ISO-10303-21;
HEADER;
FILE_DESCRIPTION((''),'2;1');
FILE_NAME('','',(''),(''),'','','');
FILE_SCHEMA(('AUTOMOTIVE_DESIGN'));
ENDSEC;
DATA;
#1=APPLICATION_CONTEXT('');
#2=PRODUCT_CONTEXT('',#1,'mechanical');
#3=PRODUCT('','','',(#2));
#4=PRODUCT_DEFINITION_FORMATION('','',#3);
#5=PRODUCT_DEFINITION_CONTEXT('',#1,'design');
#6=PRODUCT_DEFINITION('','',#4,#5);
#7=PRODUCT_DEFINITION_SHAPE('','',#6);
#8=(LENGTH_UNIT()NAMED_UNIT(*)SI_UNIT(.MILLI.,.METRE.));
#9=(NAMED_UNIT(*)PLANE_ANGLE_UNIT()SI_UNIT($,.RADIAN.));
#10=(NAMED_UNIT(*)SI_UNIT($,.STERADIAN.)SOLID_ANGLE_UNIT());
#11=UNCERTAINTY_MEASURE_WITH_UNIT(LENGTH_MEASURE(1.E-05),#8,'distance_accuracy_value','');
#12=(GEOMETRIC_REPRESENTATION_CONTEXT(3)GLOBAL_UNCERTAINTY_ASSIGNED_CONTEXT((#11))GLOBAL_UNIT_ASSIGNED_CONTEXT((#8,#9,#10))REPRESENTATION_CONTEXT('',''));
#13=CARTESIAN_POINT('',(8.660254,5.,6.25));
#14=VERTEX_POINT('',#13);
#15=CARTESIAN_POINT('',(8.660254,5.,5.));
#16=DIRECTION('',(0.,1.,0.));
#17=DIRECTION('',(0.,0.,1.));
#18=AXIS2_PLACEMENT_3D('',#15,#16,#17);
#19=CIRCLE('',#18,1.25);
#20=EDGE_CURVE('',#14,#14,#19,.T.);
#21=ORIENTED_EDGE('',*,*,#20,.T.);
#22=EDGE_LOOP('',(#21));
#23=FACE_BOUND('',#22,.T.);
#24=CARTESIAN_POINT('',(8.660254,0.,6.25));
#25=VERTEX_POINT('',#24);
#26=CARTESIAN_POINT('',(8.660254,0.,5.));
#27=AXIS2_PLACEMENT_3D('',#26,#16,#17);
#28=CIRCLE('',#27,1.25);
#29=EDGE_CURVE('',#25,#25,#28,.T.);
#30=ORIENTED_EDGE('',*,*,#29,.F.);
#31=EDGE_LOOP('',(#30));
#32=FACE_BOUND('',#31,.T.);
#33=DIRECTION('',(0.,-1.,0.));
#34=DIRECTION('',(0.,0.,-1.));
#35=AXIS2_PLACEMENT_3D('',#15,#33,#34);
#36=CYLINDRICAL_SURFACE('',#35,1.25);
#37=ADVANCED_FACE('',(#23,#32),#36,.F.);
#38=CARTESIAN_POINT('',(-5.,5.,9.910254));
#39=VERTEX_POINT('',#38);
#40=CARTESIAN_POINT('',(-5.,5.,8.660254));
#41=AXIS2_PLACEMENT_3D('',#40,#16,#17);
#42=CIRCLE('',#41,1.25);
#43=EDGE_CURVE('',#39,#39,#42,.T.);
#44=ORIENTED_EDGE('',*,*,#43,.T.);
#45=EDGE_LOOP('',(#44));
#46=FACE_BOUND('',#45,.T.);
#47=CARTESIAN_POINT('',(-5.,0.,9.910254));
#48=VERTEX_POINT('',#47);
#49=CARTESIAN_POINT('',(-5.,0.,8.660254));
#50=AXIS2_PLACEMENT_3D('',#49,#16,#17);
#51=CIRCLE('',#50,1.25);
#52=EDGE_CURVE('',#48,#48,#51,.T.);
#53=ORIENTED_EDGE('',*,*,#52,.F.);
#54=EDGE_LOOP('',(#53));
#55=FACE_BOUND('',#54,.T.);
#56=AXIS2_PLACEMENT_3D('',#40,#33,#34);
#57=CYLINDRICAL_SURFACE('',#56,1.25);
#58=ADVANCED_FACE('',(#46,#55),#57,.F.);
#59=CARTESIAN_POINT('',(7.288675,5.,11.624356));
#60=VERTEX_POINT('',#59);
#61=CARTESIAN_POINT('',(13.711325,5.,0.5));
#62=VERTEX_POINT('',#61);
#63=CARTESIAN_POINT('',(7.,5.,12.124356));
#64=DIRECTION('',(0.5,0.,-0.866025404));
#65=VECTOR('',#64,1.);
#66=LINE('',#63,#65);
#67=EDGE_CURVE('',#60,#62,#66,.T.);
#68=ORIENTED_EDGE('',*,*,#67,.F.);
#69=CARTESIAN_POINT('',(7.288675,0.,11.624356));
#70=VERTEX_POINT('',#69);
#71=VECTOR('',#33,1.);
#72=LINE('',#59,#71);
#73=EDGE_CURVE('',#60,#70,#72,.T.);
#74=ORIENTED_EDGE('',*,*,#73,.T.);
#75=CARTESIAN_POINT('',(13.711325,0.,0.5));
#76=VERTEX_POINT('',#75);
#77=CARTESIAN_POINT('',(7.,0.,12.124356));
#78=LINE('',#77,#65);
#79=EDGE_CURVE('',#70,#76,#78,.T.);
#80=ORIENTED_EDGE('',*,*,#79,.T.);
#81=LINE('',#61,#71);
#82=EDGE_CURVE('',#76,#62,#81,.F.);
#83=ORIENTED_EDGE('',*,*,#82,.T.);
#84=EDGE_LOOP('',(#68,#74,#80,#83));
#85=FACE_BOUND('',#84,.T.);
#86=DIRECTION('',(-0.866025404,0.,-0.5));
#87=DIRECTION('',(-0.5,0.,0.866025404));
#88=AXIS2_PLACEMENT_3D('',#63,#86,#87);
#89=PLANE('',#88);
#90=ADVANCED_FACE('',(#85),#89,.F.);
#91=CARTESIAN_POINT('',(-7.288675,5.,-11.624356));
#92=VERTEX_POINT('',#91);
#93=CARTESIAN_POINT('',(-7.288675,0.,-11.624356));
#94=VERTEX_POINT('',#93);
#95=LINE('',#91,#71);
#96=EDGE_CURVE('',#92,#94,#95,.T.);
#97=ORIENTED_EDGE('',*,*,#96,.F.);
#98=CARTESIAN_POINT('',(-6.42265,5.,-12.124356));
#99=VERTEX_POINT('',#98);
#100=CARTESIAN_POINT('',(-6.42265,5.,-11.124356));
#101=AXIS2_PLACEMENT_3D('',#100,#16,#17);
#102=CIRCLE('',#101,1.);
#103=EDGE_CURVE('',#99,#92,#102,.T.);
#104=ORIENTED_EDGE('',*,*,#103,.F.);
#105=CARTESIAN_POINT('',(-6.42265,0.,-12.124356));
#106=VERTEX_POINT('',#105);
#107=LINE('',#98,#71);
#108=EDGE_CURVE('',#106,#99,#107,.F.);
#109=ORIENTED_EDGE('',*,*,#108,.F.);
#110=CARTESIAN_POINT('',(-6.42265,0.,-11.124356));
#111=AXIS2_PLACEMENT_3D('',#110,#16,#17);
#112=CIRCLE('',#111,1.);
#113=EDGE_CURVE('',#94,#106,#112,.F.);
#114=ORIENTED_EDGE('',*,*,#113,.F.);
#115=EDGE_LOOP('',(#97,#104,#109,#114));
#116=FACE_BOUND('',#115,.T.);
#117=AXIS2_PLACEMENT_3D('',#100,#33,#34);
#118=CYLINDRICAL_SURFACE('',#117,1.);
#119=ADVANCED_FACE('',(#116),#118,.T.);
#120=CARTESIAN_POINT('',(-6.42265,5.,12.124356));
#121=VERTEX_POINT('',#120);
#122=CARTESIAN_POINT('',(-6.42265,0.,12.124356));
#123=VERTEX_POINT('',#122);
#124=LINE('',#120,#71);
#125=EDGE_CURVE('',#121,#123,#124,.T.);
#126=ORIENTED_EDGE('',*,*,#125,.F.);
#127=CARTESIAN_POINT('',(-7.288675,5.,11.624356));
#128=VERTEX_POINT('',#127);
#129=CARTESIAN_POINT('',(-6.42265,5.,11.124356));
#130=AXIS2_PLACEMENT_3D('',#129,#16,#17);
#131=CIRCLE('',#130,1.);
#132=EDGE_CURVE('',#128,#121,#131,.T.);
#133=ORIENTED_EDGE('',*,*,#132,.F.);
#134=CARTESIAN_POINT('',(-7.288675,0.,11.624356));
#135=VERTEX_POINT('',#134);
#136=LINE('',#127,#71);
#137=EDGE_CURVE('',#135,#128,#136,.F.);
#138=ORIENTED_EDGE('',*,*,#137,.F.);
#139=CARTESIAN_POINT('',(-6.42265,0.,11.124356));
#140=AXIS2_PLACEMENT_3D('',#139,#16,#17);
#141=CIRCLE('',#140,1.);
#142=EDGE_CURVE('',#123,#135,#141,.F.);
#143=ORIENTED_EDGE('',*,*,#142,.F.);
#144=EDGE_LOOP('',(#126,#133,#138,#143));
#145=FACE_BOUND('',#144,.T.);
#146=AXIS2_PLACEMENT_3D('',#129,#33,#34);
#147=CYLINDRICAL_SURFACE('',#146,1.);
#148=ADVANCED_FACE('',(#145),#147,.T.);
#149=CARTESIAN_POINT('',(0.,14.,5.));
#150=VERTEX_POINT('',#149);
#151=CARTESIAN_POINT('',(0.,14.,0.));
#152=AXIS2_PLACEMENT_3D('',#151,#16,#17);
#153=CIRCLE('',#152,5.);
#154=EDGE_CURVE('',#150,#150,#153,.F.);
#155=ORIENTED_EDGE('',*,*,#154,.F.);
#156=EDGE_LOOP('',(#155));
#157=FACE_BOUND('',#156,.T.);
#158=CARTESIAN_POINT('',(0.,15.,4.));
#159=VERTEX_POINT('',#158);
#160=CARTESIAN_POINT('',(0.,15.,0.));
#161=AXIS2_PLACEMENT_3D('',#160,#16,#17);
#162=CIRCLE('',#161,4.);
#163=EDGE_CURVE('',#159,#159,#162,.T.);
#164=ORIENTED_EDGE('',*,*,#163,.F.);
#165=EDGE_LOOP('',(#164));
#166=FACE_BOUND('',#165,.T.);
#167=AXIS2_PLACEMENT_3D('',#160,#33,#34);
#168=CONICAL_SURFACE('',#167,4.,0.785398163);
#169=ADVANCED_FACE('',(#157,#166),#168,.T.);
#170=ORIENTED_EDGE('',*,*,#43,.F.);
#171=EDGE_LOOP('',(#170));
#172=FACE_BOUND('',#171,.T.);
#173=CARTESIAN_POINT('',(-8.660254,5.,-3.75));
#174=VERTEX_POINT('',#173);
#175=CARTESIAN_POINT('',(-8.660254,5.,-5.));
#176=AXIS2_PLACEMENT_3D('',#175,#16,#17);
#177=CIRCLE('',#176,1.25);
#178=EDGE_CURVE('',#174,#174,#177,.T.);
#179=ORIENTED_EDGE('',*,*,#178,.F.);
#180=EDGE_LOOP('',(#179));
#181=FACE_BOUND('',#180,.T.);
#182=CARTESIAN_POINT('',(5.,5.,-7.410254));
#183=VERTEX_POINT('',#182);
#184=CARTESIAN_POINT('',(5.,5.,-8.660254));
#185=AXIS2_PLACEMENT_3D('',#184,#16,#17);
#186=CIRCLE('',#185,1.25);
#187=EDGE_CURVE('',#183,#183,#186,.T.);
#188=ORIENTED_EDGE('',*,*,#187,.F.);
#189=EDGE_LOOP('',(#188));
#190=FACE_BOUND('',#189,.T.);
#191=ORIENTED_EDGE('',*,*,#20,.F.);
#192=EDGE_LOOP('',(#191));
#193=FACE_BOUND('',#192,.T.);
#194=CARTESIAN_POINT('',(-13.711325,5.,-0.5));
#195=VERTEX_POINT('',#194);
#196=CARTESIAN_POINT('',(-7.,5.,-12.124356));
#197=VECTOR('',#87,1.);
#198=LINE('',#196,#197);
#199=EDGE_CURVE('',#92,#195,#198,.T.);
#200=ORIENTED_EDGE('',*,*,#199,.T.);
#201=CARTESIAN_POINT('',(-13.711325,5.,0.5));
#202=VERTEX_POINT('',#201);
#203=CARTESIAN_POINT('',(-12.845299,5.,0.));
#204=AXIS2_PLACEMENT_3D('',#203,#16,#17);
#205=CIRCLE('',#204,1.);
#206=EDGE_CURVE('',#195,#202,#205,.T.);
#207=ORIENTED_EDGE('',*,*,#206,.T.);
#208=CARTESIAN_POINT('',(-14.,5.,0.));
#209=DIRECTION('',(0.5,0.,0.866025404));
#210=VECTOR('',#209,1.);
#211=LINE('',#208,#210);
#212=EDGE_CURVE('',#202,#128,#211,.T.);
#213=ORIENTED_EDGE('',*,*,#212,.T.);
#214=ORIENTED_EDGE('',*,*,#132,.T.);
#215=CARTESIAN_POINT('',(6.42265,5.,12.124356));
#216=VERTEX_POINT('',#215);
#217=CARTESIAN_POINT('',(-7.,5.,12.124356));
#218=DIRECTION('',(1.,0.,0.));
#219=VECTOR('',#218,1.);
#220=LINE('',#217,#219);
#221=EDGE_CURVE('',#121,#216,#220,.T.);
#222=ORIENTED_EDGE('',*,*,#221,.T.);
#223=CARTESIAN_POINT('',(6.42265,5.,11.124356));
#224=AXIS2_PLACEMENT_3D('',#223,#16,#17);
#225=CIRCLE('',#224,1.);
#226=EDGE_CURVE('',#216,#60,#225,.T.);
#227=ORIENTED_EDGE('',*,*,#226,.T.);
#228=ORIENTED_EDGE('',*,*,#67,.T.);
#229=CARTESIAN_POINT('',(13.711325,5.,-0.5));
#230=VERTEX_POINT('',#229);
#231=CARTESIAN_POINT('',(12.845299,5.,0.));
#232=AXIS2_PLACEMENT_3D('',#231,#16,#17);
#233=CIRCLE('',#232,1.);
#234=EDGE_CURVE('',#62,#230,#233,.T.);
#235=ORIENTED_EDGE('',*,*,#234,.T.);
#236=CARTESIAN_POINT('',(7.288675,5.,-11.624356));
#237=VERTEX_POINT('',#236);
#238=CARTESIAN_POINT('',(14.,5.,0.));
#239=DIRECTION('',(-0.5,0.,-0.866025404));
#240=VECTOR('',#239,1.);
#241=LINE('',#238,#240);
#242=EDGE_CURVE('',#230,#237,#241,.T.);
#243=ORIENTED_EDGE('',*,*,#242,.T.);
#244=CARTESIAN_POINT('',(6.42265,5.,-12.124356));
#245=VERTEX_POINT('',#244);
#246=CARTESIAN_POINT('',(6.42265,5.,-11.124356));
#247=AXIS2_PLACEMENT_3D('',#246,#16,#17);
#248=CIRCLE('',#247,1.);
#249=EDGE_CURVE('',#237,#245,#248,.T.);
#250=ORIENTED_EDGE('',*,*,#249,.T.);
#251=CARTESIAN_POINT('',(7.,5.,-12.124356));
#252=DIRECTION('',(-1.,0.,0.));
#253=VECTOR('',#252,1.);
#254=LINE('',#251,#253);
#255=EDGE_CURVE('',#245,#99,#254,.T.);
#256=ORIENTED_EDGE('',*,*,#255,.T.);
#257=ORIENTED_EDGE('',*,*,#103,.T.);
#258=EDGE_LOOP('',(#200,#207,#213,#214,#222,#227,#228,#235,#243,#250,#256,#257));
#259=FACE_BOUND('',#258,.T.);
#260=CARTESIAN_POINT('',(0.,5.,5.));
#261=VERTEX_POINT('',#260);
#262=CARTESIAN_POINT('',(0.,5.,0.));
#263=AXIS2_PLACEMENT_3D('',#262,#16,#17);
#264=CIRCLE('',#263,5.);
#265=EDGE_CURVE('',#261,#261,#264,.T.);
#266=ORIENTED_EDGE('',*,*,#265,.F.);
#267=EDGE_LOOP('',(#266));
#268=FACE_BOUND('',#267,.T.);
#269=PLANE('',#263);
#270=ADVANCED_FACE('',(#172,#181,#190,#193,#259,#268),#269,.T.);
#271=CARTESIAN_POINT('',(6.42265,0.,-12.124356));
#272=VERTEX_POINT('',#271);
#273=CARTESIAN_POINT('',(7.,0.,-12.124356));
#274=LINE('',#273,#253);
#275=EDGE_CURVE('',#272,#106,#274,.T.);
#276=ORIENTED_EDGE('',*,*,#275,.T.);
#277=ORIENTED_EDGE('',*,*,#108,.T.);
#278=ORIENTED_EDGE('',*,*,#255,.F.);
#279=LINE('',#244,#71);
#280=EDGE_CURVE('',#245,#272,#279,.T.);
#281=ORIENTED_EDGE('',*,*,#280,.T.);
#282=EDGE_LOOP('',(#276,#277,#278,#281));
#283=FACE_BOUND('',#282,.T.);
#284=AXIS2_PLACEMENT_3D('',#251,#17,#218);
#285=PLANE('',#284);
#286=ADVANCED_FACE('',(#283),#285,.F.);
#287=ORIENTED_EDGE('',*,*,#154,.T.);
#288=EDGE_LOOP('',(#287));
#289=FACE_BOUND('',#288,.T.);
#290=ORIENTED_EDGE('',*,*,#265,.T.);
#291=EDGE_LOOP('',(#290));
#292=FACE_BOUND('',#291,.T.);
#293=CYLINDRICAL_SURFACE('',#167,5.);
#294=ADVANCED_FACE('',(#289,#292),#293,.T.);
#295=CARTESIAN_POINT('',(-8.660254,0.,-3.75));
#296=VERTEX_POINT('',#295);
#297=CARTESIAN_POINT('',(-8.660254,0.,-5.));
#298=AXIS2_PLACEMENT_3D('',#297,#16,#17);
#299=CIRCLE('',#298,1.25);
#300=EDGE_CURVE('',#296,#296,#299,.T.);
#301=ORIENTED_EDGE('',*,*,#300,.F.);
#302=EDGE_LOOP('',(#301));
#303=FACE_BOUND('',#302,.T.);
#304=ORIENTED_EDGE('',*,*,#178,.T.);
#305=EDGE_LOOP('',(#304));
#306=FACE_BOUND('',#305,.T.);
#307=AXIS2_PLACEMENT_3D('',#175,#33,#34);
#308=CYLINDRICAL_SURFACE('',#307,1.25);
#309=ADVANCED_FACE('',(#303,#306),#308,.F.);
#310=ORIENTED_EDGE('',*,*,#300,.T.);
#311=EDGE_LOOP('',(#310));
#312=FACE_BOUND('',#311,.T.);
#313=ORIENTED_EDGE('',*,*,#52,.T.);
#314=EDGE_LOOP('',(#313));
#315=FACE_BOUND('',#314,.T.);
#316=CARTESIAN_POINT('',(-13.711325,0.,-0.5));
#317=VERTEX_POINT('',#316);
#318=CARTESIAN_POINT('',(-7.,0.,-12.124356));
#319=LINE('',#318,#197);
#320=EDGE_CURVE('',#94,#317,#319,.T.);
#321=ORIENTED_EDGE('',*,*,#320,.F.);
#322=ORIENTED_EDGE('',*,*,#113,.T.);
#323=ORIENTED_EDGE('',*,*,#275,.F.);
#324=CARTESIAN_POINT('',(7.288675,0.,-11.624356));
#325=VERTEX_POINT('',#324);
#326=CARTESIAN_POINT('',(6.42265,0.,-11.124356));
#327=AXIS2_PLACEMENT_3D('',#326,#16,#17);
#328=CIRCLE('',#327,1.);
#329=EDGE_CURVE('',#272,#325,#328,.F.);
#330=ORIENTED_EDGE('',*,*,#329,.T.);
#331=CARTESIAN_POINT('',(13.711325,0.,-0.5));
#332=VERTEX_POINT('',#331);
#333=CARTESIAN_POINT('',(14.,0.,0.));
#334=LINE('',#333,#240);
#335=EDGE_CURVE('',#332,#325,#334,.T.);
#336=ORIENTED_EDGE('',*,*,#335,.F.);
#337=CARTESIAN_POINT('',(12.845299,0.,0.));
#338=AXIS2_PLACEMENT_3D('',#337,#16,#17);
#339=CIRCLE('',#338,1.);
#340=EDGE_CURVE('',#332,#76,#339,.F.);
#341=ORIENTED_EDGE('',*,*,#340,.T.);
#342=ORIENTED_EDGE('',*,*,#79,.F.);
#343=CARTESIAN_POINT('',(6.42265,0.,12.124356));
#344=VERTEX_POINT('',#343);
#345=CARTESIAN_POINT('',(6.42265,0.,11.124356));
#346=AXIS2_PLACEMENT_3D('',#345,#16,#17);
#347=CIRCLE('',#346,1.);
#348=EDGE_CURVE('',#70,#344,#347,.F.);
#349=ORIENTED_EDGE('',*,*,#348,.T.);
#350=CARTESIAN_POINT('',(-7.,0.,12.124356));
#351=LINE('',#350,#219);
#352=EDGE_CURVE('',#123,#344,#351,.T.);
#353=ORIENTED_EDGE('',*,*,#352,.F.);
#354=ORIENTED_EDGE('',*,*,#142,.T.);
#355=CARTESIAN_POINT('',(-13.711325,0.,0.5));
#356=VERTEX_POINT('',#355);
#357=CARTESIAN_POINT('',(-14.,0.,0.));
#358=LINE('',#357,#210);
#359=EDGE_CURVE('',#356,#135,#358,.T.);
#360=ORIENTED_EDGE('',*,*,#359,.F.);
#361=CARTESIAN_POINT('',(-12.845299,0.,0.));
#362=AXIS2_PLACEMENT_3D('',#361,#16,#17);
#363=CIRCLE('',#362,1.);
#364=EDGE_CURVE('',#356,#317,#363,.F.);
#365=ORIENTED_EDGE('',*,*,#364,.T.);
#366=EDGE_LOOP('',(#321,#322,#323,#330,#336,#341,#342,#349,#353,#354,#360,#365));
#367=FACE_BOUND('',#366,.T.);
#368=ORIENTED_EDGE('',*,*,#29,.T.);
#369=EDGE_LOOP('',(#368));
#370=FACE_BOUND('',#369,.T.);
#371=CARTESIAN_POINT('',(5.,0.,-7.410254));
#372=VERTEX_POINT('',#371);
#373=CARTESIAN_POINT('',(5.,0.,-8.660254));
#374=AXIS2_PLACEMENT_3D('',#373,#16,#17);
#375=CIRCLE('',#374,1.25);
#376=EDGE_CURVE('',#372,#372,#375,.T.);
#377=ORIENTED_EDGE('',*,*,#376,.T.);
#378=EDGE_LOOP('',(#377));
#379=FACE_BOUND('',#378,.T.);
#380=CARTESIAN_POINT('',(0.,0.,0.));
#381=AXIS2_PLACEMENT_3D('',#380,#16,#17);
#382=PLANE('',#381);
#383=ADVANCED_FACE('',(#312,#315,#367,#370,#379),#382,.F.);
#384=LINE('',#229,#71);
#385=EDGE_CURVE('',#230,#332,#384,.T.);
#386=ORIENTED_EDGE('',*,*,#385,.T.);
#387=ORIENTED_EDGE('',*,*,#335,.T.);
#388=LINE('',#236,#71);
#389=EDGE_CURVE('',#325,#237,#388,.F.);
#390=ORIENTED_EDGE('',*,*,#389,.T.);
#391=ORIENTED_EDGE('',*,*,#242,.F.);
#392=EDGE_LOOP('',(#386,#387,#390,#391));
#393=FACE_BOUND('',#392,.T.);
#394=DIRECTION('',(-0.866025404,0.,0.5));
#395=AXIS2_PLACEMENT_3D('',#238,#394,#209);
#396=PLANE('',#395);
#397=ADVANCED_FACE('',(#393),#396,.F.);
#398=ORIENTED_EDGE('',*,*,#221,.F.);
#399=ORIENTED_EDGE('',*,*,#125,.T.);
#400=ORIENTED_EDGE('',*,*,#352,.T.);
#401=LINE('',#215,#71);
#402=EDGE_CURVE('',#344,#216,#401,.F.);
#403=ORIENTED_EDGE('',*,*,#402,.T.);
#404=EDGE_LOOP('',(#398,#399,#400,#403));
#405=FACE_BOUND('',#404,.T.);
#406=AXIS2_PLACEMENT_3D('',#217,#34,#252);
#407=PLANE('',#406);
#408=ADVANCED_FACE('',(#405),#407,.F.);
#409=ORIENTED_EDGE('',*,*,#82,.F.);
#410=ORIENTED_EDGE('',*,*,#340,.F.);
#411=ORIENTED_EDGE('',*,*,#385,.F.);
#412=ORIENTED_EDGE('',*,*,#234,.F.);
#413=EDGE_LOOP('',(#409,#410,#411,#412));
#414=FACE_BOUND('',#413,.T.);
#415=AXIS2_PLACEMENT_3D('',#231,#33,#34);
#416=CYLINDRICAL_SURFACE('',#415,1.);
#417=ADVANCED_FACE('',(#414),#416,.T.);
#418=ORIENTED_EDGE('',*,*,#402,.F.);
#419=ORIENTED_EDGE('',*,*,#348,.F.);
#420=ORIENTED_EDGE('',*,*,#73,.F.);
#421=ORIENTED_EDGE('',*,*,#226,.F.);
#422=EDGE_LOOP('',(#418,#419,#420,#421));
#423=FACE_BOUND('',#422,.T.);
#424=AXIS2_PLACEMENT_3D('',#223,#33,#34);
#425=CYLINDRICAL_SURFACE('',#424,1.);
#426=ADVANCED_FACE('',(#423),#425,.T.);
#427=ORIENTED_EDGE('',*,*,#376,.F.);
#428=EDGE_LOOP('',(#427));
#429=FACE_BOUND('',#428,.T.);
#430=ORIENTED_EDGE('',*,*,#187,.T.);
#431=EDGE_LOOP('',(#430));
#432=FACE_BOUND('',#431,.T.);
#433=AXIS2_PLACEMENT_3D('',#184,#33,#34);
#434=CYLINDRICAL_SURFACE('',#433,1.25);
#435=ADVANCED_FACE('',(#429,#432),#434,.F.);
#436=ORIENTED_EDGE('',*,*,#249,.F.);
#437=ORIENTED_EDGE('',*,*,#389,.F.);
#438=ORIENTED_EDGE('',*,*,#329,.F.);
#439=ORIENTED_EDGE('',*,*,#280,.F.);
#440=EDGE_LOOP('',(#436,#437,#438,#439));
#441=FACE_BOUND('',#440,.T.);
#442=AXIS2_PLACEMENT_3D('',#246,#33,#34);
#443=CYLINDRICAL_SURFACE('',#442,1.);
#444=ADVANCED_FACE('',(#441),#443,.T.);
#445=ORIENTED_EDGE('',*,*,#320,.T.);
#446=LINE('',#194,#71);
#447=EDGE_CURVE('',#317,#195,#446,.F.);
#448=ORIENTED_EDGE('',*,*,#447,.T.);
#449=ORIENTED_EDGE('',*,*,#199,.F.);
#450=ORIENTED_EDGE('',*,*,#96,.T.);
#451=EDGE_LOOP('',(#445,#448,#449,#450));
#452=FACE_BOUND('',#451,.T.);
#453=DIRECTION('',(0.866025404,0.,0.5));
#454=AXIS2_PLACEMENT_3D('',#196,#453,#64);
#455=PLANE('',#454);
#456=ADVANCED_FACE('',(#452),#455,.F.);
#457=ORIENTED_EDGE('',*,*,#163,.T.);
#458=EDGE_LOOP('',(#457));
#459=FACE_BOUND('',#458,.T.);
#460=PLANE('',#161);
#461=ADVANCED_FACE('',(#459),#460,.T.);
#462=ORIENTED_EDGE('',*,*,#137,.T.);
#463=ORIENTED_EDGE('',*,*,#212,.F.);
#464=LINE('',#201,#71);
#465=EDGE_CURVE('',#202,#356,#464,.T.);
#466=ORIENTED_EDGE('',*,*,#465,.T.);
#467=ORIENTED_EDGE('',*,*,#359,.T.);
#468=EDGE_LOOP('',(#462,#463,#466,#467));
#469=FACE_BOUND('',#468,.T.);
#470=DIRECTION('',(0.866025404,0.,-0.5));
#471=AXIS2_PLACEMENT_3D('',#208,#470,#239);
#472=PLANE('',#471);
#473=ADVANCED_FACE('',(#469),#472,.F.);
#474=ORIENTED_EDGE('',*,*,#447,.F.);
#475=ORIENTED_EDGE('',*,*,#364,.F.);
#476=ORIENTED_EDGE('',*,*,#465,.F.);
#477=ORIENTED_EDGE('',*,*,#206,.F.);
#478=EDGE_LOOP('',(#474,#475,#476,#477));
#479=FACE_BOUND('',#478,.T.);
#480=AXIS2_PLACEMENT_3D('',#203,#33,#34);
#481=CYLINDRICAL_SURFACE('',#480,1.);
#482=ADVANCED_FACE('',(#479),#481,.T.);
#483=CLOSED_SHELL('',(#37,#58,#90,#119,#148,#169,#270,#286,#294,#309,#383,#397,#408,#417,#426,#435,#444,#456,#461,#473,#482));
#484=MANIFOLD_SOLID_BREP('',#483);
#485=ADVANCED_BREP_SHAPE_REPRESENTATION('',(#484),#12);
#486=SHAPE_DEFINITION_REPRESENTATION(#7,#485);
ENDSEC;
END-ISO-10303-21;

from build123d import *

# Parameters (mm, degrees)
SKETCH_1_R      = 1.25
EXTRUDE_1_DEPTH = 5
SKETCH_2_R      = 5
EXTRUDE_2_DEPTH = 10
FILLET_1_R      = 1
CHAMFER_1_SIZE  = 1


with BuildPart() as part:
    # Эскиз1 → Бобышка-Вытянуть1 (new body)
    with BuildSketch(Plane(origin=(0, 0, 0), x_dir=(1, 0, 0), z_dir=(0, 1, 0))):
        Polygon((14, 0), (7, 12.124355653), (-7, 12.124355653), (-14, 0), (-7, -12.124355653), (7, -12.124355653), align=None)
        with Locations(Location((5, 8.660254038, 0), (0, 0, 270))):
            Circle(SKETCH_1_R, mode=Mode.SUBTRACT)
        with Locations(Location((8.660254038, -5, 0), (0, 0, 270))):
            Circle(SKETCH_1_R, mode=Mode.SUBTRACT)
        with Locations(Location((-5, -8.660254038, 0), (0, 0, 270))):
            Circle(SKETCH_1_R, mode=Mode.SUBTRACT)
        with Locations(Location((-8.660254038, 5, 0), (0, 0, 270))):
            Circle(SKETCH_1_R, mode=Mode.SUBTRACT)
    extrude(amount=EXTRUDE_1_DEPTH)

    # Эскиз2 → Бобышка-Вытянуть2 (add)
    with BuildSketch(Plane(origin=(0, 5, 0), x_dir=(1, 0, 0), z_dir=(0, 1, 0))):
        with Locations(Location((0, 0, 0), (0, 0, 270))):
            Circle(SKETCH_2_R)
    extrude(amount=EXTRUDE_2_DEPTH)

    # Скругление1
    fillet_1_edges = [part.edges().sort_by_distance(p)[0] for p in [
        (7, 2.5, 12.124355653),
        (-7, 2.5, 12.124355653),
        (-14, 2.5, 0),
        (-7, 2.5, -12.124355653),
        (7, 2.5, -12.124355653),
        (14, 2.5, 0),
    ]]
    fillet(fillet_1_edges, radius=FILLET_1_R)

    # Фаска1
    chamfer_1_edges = [part.edges().sort_by_distance(p)[0] for p in [
        (0, 15, -5),
    ]]
    chamfer(chamfer_1_edges, length=CHAMFER_1_SIZE)


solid = part.part
